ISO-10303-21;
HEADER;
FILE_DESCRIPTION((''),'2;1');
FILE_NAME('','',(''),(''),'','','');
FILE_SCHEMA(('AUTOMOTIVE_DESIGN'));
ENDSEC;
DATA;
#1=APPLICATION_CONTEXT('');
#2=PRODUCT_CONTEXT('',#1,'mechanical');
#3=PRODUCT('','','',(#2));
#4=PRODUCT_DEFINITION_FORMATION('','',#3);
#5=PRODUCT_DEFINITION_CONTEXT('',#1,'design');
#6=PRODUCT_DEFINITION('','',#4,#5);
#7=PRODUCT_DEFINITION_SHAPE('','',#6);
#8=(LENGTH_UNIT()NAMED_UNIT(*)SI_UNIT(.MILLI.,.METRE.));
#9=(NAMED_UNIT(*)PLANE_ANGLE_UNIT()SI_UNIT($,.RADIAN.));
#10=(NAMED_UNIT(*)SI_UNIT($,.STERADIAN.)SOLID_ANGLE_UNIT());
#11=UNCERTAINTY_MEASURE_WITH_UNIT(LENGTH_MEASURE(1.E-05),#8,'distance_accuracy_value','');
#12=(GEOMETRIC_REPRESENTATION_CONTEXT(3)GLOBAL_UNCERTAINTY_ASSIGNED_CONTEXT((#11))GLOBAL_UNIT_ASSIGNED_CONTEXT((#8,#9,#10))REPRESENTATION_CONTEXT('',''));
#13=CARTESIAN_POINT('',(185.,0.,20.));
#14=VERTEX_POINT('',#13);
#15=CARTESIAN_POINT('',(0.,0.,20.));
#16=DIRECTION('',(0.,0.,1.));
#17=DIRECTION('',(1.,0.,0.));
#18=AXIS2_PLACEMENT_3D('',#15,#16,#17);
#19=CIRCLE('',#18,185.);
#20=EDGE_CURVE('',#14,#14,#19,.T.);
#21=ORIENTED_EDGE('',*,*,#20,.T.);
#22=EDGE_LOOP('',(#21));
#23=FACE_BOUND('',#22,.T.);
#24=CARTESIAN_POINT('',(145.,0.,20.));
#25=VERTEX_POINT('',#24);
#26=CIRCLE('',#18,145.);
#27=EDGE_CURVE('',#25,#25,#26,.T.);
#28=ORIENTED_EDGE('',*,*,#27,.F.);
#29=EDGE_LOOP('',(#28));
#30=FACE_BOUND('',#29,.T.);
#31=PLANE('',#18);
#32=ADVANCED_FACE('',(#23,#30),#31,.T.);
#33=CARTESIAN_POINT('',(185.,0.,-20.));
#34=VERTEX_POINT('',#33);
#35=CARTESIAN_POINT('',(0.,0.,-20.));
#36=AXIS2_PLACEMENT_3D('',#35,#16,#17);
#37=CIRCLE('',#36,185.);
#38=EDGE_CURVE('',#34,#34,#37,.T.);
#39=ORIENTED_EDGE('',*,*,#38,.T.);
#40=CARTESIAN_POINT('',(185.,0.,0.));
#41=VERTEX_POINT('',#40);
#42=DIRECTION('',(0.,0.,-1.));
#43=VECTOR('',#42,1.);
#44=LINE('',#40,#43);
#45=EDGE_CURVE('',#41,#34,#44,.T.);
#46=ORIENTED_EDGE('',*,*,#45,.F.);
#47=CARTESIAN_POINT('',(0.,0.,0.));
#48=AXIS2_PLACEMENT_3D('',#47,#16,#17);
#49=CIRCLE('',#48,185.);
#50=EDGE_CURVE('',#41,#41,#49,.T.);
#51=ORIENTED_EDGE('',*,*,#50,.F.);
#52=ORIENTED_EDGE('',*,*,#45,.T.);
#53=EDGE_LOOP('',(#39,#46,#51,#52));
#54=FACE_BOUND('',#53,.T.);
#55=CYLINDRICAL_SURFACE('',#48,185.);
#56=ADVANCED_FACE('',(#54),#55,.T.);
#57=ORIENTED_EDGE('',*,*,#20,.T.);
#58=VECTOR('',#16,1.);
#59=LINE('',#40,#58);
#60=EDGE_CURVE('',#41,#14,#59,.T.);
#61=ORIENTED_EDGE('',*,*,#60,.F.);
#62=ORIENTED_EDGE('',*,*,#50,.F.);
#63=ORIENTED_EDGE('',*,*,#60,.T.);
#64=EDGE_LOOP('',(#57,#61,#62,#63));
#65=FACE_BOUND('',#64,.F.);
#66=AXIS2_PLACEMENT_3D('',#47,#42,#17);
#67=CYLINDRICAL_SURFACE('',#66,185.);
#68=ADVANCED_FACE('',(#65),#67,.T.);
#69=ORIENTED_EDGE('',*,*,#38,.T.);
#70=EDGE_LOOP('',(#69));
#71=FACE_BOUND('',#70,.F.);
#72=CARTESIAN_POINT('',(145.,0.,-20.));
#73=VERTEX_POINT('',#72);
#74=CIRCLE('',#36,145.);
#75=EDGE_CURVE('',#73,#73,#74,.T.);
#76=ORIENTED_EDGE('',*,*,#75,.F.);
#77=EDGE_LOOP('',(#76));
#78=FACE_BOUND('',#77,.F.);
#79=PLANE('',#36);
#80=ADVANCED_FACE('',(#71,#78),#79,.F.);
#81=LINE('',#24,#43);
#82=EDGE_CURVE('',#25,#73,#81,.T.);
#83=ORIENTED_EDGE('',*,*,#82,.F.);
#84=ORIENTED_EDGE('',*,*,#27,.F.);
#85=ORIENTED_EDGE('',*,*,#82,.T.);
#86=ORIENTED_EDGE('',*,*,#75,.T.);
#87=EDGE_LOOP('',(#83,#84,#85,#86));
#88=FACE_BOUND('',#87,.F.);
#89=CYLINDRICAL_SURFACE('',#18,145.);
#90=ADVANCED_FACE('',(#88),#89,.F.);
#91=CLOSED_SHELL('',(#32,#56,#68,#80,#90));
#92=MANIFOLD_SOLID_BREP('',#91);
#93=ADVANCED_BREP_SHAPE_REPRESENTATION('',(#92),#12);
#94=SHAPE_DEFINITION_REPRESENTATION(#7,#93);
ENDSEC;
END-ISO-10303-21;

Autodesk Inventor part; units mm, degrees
ref_plane "YZ Plane" through (0, 0, 0) normal (1, 0, 0) x (0, 1, 0)
ref_plane "XZ Plane" through (0, 0, 0) normal (0, 1, 0) x (-1, 0, 0)
ref_plane "XY Plane" through (0, 0, 0) normal (0, 0, 1) x (1, 0, 0)
sketch "Sketch1" plane through (0, 0, 0) normal (0, 0, 1) x (1, 0, 0)
  circle A0 centre (0, 0) radius 185
  dimension "d0" = 370
extrude "Extrusion1" add sketch "Sketch1" along normal mid plane 40
sketch "Sketch2" plane through (0, 0, 20) normal (0, 0, 1) x (1, 0, 0)
  circle A0 centre (0, 0) radius 145
  dimension "d3" = 290
extrude "Extrusion2" cut sketch "Sketch2" against normal through all
properties part number "AGBL03_2"
